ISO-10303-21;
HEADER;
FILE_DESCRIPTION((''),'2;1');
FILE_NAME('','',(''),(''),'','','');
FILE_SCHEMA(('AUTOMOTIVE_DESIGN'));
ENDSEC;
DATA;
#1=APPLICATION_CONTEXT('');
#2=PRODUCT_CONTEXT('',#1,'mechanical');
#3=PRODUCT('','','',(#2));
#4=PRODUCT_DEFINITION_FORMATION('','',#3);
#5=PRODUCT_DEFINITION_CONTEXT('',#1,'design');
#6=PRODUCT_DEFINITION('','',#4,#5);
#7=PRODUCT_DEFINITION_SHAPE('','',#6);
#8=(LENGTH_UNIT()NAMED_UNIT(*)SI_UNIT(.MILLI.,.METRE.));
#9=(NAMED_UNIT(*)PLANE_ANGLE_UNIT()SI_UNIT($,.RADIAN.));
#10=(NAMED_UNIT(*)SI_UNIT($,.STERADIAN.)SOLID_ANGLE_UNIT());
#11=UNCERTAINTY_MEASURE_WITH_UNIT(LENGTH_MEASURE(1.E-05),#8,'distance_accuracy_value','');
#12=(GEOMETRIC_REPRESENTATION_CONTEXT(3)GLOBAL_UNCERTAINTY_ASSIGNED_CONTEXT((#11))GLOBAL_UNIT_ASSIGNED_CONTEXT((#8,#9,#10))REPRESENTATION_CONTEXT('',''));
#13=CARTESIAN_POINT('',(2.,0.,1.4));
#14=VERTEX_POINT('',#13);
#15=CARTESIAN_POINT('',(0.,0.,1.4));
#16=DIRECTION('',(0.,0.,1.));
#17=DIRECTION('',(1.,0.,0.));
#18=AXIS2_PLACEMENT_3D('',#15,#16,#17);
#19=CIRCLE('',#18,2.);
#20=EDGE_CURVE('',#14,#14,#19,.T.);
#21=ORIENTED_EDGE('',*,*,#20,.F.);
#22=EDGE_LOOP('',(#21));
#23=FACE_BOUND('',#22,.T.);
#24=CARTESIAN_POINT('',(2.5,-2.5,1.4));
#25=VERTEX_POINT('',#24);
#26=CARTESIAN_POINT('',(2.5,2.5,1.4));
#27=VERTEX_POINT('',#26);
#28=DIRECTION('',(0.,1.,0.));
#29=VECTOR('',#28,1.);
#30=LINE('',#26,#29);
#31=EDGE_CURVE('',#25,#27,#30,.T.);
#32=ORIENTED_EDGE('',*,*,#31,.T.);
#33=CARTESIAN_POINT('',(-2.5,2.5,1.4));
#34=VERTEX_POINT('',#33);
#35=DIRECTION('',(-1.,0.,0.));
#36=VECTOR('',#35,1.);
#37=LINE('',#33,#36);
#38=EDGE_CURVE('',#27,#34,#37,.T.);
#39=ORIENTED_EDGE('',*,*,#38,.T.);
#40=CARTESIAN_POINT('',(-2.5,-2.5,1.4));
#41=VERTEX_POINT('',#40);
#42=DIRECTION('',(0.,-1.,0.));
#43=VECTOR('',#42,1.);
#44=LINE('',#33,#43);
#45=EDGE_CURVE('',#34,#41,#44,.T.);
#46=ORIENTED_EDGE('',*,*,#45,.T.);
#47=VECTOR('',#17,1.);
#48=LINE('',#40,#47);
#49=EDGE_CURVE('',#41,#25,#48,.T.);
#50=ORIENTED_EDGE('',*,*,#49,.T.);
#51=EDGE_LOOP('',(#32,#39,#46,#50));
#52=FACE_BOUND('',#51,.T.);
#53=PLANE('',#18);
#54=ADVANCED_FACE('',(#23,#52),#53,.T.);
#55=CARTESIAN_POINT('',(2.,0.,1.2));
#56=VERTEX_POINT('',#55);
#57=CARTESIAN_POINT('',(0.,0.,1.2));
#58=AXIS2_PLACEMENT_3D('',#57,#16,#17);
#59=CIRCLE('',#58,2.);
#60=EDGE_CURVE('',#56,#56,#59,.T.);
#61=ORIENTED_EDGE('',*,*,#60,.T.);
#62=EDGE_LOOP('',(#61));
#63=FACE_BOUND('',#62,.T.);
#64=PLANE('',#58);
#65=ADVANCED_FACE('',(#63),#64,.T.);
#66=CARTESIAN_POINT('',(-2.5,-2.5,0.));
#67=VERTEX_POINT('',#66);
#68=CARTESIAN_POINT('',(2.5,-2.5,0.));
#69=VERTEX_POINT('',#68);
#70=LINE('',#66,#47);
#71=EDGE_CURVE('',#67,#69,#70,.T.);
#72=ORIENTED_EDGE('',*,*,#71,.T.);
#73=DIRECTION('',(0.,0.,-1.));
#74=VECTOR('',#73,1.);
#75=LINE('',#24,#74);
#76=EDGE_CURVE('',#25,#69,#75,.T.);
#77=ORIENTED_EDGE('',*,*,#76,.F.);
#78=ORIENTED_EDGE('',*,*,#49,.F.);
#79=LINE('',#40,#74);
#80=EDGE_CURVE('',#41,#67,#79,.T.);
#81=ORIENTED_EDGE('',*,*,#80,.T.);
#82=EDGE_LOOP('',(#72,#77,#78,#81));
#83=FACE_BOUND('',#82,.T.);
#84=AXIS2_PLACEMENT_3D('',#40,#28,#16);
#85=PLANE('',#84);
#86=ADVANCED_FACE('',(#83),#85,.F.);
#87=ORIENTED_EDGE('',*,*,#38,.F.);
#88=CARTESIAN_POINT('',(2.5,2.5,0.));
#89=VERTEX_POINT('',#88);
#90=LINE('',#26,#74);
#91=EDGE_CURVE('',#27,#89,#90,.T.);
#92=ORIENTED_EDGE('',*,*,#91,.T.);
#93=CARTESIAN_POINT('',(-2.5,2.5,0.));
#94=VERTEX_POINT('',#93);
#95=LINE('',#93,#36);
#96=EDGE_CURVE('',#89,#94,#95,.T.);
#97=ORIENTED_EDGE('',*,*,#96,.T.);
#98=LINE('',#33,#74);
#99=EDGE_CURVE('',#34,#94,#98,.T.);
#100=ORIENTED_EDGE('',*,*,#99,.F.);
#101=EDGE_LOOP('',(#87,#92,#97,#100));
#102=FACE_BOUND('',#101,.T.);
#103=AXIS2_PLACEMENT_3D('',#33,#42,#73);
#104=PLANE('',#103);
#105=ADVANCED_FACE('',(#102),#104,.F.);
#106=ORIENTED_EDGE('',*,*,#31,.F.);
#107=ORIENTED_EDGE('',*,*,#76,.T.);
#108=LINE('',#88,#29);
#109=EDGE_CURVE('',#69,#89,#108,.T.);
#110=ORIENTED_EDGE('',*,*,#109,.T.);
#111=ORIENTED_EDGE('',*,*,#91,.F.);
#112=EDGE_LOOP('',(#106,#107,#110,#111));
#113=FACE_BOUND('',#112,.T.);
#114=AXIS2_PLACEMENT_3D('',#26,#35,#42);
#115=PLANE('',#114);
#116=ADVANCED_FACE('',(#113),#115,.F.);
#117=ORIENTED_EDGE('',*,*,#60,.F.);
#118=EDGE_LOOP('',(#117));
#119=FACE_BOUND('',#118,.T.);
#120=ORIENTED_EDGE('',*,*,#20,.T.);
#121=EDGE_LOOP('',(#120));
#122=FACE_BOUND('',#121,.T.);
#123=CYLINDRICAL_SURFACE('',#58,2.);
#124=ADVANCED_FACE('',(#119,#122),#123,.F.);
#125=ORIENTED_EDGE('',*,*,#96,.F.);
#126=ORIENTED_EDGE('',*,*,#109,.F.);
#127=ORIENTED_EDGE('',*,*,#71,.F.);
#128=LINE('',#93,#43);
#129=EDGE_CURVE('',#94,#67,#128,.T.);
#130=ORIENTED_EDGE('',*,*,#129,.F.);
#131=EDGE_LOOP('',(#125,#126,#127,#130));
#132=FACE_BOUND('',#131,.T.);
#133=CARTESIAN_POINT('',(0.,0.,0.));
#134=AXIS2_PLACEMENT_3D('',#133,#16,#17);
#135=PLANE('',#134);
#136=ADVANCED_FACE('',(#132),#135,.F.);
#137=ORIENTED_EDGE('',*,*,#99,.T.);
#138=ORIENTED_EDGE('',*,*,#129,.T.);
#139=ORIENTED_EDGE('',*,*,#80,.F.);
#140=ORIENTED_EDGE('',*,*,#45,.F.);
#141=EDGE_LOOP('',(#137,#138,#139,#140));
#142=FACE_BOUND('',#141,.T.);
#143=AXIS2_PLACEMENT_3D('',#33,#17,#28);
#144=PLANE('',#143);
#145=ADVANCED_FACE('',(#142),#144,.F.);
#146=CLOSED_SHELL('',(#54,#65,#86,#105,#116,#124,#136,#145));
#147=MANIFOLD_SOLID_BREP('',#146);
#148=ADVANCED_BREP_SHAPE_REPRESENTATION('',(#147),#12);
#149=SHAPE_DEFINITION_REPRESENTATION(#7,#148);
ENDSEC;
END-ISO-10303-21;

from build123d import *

# Parameters (mm, degrees)
SKETCH1_W           = 5
SKETCH1_H           = 5
BOSS_EXTRUDE1_DEPTH = 1.4
SKETCH2_R           = 2
CUT_EXTRUDE1_DEPTH  = 0.2


with BuildPart() as part:
    # Sketch1 → Boss-Extrude1 (new body)
    with BuildSketch(Plane.XY):
        Rectangle(SKETCH1_W, SKETCH1_H)
    extrude(amount=BOSS_EXTRUDE1_DEPTH)

    # Sketch2 → Cut-Extrude1 (cut)
    with BuildSketch(Plane.XY.offset(1.4)):
        Circle(SKETCH2_R)
    extrude(amount=-CUT_EXTRUDE1_DEPTH, mode=Mode.SUBTRACT)


solid = part.part
